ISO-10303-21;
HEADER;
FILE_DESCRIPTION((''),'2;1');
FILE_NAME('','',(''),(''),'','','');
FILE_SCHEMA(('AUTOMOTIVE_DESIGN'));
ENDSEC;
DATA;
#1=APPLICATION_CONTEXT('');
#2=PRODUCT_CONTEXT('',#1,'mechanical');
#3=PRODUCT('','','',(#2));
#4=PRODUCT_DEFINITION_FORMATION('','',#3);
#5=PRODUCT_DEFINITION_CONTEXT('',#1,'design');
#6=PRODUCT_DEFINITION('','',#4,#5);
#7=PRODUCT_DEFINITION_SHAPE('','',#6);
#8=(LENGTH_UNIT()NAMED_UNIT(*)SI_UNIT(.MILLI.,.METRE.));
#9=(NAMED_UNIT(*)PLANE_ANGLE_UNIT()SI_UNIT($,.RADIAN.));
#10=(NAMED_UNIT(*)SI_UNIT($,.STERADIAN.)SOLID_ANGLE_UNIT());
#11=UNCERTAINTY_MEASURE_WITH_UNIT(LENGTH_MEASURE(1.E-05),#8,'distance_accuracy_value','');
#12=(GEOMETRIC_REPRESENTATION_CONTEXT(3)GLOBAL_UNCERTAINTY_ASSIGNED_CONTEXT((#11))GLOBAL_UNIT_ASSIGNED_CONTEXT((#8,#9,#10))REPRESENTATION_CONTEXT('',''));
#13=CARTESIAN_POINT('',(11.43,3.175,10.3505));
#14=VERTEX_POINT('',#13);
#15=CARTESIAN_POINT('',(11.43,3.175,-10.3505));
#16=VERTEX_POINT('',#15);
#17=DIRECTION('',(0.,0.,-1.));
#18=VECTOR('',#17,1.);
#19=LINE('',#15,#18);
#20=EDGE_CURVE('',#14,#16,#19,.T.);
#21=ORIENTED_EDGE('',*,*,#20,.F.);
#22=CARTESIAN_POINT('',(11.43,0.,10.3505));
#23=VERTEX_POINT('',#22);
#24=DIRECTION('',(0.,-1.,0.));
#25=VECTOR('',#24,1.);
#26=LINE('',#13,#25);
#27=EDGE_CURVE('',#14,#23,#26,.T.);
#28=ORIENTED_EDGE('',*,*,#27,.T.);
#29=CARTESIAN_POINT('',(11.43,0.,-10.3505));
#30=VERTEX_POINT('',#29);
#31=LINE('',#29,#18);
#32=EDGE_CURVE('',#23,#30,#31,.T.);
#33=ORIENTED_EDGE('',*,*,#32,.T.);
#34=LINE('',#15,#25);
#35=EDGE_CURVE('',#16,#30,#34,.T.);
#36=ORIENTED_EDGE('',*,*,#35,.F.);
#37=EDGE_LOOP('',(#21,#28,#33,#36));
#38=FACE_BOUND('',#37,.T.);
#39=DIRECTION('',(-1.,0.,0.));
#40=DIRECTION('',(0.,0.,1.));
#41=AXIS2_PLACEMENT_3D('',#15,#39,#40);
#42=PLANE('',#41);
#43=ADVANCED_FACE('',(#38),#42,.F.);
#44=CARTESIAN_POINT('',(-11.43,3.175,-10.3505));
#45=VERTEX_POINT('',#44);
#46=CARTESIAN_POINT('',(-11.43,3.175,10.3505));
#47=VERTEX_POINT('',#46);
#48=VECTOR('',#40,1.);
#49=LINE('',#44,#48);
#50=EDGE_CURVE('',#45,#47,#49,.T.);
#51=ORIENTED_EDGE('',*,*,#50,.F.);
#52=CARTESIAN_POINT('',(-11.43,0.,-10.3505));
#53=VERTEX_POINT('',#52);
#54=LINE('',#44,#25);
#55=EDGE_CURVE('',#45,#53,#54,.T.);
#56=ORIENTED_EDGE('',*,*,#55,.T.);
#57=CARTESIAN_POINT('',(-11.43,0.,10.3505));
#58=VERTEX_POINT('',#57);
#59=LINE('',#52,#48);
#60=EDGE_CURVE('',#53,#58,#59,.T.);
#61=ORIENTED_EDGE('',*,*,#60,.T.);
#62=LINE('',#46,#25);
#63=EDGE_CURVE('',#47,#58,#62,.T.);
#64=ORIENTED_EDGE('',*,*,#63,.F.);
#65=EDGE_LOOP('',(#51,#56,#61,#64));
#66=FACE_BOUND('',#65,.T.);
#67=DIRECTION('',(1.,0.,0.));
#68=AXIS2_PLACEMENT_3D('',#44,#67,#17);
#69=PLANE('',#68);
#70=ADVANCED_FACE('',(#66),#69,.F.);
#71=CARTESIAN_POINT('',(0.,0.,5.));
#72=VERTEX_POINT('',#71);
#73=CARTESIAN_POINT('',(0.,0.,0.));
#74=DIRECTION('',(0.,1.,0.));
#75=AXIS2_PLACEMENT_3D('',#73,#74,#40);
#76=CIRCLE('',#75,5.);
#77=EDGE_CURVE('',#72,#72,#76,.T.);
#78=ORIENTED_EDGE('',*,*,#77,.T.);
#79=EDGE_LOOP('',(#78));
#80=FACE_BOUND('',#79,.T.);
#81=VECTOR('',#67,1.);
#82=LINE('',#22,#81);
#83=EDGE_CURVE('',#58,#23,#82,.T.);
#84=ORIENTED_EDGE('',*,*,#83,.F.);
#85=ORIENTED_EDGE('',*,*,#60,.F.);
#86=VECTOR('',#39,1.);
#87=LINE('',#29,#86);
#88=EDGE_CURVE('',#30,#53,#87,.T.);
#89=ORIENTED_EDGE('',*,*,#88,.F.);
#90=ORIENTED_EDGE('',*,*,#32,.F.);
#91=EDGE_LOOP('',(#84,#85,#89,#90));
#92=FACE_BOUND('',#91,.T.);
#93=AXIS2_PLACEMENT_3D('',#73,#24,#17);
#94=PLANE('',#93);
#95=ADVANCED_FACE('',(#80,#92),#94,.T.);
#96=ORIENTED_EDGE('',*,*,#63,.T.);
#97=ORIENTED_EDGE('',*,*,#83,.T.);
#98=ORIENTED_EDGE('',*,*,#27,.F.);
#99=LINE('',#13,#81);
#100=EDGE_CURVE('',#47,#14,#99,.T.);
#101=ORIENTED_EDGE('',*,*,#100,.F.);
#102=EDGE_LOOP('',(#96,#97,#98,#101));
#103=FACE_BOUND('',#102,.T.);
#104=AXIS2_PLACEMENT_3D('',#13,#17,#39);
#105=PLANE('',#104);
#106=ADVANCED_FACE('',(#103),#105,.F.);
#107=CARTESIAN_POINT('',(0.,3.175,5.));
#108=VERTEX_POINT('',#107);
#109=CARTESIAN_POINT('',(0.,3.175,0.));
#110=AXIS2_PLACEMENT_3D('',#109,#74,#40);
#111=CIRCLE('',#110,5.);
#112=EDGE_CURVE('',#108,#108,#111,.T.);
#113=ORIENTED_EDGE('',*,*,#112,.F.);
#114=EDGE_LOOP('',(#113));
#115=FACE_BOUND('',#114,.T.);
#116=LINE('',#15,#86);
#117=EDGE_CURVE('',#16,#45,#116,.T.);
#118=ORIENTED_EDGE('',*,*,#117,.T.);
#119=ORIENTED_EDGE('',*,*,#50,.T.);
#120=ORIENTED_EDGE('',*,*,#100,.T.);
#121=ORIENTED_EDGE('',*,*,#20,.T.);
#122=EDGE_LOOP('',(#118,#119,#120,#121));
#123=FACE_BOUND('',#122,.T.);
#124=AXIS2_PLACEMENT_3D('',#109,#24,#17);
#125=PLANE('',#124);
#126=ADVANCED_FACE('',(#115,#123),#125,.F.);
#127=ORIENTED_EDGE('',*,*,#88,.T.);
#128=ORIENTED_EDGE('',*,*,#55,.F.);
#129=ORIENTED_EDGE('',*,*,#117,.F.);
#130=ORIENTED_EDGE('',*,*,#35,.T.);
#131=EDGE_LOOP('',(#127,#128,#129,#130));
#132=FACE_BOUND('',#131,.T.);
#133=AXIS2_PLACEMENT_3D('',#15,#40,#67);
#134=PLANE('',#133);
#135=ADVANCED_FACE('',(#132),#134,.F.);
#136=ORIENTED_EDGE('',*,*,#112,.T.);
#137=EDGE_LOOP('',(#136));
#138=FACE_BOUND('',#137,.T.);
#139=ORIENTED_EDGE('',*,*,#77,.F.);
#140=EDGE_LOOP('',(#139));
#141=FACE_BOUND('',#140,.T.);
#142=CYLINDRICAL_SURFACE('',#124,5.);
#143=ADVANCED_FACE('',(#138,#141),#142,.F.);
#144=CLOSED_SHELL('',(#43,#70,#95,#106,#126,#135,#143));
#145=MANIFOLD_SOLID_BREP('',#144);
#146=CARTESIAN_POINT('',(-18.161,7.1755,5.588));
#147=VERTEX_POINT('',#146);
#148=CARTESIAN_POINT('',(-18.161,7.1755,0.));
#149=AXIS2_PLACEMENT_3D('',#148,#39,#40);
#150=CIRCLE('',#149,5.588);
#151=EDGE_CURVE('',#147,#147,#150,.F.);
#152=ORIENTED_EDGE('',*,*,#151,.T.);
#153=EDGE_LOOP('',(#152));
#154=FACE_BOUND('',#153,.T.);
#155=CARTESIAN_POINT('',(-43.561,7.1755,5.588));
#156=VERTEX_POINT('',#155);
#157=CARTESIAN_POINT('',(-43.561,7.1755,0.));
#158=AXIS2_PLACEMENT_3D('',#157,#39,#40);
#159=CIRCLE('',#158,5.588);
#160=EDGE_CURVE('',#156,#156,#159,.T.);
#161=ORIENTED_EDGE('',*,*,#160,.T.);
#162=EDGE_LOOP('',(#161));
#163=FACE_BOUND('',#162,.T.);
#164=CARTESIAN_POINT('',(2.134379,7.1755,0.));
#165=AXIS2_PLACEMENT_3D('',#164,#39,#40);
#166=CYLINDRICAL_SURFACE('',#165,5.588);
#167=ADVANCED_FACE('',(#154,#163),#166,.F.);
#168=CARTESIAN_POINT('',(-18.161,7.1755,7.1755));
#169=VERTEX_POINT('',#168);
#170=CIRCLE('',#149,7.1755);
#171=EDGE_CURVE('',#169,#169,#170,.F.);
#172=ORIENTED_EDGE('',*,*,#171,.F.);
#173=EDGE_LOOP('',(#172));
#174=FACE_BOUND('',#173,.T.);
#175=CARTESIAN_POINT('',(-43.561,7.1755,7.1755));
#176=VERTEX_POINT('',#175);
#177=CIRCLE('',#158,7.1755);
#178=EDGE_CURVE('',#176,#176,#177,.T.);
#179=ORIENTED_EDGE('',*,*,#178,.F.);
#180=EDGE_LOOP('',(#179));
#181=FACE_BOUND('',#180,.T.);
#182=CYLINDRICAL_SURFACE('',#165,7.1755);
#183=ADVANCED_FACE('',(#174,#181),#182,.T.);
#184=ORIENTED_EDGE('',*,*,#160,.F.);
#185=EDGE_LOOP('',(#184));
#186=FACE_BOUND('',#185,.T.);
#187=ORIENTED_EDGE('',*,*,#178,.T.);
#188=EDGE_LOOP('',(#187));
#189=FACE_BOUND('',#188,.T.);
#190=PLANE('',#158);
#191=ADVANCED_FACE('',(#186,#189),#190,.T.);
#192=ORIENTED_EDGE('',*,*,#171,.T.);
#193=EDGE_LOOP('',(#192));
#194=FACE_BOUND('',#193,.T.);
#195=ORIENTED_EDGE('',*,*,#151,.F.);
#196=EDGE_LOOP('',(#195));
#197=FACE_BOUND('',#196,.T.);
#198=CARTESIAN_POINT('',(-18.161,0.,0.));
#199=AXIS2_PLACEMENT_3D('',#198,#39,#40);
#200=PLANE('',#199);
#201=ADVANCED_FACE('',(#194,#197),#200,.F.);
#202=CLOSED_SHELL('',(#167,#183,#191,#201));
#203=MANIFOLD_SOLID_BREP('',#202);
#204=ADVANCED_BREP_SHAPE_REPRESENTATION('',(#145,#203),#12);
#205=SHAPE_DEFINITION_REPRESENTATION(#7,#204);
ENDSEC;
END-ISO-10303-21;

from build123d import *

# Parameters (mm, degrees)
SKETCH1_W           = 22.86
SKETCH1_H           = 20.701
SKETCH1_R           = 5
BOSS_EXTRUDE1_DEPTH = 3.175
SKETCH2_R           = 7.1755
SKETCH2_R_2         = 5.588
EXTRUDE_THIN1_DEPTH = 25.4


with BuildPart() as part:
    # Sketch1 → Boss-Extrude1 (new body)
    with BuildSketch(Plane(origin=(0, 0, 0), x_dir=(1, 0, 0), z_dir=(0, 1, 0))):
        Rectangle(SKETCH1_W, SKETCH1_H)
        Circle(SKETCH1_R, mode=Mode.SUBTRACT)
    extrude(amount=BOSS_EXTRUDE1_DEPTH)


with BuildPart() as body_2:
    # Sketch2 → Extrude-Thin1 (new body)
    with BuildSketch(Plane.ZY.offset(43.561)):
        with Locations((0, 7.1755)):
            Circle(SKETCH2_R)
        with Locations((0, 7.1755)):
            Circle(SKETCH2_R_2, mode=Mode.SUBTRACT)
    extrude(amount=-EXTRUDE_THIN1_DEPTH)


solid = Compound([part.part, body_2.part])
